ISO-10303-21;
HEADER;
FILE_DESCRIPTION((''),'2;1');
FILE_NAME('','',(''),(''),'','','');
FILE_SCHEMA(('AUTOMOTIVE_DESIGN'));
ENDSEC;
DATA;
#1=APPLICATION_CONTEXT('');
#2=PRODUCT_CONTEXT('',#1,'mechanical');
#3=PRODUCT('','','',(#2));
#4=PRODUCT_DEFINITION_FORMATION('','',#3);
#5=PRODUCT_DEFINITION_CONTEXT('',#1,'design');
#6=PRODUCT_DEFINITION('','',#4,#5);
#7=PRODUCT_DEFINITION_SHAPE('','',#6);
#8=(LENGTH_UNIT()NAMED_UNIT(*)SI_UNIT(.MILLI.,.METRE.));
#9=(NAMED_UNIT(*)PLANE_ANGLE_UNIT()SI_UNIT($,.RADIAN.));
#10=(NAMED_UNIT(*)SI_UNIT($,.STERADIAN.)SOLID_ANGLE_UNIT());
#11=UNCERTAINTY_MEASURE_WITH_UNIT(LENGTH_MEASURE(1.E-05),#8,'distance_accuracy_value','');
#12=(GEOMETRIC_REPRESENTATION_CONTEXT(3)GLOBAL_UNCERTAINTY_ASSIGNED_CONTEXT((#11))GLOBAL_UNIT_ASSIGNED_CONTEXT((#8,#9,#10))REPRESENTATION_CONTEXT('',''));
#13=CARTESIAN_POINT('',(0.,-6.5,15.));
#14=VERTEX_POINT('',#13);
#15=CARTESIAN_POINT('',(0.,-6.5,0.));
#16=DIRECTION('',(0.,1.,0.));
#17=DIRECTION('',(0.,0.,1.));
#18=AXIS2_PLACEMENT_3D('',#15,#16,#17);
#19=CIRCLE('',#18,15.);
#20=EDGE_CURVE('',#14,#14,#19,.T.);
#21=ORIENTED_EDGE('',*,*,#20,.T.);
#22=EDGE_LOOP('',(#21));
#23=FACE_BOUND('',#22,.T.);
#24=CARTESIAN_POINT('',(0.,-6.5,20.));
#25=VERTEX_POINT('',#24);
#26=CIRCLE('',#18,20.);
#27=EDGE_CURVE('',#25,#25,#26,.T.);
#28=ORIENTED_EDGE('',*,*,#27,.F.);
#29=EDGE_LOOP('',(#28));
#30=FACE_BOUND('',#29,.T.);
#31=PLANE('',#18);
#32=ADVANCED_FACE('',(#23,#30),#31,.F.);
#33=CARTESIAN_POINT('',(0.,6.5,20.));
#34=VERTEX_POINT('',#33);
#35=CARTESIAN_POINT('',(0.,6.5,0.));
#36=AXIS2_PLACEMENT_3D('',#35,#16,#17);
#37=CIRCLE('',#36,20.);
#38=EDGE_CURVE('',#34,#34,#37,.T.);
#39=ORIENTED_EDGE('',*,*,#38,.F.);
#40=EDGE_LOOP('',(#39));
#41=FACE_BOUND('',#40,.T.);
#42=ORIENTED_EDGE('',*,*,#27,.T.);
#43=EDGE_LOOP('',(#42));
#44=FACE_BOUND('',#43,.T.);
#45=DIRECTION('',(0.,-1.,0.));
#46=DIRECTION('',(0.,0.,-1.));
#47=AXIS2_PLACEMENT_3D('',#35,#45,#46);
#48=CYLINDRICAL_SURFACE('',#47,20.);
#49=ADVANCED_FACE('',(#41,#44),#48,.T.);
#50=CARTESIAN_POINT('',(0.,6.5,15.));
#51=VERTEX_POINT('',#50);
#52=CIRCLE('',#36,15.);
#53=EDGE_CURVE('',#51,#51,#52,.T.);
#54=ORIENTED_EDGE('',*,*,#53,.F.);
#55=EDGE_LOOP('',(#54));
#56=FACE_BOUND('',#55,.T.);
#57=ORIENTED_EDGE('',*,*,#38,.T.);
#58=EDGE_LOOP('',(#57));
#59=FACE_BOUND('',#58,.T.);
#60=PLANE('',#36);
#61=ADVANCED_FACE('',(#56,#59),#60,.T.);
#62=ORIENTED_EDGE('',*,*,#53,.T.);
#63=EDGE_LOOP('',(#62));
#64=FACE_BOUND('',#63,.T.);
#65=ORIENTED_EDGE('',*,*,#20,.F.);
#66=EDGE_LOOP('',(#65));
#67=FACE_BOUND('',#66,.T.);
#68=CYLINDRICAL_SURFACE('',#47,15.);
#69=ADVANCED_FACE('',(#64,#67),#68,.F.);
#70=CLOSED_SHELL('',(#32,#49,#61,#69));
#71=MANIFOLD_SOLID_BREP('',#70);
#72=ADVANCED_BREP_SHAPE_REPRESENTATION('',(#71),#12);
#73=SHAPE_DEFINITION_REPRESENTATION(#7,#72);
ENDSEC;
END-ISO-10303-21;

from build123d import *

# Parameters (mm, degrees)
SKETCH1_R           = 20
SKETCH1_R_2         = 15
BOSS_EXTRUDE1_DEPTH = 6.5


with BuildPart() as part:
    # Sketch1 → Boss-Extrude1 (new body, symmetric)
    with BuildSketch(Plane(origin=(0, 0, 0), x_dir=(1, 0, 0), z_dir=(0, 1, 0))):
        Circle(SKETCH1_R)
        Circle(SKETCH1_R_2, mode=Mode.SUBTRACT)
    extrude(amount=BOSS_EXTRUDE1_DEPTH, both=True)


solid = part.part
